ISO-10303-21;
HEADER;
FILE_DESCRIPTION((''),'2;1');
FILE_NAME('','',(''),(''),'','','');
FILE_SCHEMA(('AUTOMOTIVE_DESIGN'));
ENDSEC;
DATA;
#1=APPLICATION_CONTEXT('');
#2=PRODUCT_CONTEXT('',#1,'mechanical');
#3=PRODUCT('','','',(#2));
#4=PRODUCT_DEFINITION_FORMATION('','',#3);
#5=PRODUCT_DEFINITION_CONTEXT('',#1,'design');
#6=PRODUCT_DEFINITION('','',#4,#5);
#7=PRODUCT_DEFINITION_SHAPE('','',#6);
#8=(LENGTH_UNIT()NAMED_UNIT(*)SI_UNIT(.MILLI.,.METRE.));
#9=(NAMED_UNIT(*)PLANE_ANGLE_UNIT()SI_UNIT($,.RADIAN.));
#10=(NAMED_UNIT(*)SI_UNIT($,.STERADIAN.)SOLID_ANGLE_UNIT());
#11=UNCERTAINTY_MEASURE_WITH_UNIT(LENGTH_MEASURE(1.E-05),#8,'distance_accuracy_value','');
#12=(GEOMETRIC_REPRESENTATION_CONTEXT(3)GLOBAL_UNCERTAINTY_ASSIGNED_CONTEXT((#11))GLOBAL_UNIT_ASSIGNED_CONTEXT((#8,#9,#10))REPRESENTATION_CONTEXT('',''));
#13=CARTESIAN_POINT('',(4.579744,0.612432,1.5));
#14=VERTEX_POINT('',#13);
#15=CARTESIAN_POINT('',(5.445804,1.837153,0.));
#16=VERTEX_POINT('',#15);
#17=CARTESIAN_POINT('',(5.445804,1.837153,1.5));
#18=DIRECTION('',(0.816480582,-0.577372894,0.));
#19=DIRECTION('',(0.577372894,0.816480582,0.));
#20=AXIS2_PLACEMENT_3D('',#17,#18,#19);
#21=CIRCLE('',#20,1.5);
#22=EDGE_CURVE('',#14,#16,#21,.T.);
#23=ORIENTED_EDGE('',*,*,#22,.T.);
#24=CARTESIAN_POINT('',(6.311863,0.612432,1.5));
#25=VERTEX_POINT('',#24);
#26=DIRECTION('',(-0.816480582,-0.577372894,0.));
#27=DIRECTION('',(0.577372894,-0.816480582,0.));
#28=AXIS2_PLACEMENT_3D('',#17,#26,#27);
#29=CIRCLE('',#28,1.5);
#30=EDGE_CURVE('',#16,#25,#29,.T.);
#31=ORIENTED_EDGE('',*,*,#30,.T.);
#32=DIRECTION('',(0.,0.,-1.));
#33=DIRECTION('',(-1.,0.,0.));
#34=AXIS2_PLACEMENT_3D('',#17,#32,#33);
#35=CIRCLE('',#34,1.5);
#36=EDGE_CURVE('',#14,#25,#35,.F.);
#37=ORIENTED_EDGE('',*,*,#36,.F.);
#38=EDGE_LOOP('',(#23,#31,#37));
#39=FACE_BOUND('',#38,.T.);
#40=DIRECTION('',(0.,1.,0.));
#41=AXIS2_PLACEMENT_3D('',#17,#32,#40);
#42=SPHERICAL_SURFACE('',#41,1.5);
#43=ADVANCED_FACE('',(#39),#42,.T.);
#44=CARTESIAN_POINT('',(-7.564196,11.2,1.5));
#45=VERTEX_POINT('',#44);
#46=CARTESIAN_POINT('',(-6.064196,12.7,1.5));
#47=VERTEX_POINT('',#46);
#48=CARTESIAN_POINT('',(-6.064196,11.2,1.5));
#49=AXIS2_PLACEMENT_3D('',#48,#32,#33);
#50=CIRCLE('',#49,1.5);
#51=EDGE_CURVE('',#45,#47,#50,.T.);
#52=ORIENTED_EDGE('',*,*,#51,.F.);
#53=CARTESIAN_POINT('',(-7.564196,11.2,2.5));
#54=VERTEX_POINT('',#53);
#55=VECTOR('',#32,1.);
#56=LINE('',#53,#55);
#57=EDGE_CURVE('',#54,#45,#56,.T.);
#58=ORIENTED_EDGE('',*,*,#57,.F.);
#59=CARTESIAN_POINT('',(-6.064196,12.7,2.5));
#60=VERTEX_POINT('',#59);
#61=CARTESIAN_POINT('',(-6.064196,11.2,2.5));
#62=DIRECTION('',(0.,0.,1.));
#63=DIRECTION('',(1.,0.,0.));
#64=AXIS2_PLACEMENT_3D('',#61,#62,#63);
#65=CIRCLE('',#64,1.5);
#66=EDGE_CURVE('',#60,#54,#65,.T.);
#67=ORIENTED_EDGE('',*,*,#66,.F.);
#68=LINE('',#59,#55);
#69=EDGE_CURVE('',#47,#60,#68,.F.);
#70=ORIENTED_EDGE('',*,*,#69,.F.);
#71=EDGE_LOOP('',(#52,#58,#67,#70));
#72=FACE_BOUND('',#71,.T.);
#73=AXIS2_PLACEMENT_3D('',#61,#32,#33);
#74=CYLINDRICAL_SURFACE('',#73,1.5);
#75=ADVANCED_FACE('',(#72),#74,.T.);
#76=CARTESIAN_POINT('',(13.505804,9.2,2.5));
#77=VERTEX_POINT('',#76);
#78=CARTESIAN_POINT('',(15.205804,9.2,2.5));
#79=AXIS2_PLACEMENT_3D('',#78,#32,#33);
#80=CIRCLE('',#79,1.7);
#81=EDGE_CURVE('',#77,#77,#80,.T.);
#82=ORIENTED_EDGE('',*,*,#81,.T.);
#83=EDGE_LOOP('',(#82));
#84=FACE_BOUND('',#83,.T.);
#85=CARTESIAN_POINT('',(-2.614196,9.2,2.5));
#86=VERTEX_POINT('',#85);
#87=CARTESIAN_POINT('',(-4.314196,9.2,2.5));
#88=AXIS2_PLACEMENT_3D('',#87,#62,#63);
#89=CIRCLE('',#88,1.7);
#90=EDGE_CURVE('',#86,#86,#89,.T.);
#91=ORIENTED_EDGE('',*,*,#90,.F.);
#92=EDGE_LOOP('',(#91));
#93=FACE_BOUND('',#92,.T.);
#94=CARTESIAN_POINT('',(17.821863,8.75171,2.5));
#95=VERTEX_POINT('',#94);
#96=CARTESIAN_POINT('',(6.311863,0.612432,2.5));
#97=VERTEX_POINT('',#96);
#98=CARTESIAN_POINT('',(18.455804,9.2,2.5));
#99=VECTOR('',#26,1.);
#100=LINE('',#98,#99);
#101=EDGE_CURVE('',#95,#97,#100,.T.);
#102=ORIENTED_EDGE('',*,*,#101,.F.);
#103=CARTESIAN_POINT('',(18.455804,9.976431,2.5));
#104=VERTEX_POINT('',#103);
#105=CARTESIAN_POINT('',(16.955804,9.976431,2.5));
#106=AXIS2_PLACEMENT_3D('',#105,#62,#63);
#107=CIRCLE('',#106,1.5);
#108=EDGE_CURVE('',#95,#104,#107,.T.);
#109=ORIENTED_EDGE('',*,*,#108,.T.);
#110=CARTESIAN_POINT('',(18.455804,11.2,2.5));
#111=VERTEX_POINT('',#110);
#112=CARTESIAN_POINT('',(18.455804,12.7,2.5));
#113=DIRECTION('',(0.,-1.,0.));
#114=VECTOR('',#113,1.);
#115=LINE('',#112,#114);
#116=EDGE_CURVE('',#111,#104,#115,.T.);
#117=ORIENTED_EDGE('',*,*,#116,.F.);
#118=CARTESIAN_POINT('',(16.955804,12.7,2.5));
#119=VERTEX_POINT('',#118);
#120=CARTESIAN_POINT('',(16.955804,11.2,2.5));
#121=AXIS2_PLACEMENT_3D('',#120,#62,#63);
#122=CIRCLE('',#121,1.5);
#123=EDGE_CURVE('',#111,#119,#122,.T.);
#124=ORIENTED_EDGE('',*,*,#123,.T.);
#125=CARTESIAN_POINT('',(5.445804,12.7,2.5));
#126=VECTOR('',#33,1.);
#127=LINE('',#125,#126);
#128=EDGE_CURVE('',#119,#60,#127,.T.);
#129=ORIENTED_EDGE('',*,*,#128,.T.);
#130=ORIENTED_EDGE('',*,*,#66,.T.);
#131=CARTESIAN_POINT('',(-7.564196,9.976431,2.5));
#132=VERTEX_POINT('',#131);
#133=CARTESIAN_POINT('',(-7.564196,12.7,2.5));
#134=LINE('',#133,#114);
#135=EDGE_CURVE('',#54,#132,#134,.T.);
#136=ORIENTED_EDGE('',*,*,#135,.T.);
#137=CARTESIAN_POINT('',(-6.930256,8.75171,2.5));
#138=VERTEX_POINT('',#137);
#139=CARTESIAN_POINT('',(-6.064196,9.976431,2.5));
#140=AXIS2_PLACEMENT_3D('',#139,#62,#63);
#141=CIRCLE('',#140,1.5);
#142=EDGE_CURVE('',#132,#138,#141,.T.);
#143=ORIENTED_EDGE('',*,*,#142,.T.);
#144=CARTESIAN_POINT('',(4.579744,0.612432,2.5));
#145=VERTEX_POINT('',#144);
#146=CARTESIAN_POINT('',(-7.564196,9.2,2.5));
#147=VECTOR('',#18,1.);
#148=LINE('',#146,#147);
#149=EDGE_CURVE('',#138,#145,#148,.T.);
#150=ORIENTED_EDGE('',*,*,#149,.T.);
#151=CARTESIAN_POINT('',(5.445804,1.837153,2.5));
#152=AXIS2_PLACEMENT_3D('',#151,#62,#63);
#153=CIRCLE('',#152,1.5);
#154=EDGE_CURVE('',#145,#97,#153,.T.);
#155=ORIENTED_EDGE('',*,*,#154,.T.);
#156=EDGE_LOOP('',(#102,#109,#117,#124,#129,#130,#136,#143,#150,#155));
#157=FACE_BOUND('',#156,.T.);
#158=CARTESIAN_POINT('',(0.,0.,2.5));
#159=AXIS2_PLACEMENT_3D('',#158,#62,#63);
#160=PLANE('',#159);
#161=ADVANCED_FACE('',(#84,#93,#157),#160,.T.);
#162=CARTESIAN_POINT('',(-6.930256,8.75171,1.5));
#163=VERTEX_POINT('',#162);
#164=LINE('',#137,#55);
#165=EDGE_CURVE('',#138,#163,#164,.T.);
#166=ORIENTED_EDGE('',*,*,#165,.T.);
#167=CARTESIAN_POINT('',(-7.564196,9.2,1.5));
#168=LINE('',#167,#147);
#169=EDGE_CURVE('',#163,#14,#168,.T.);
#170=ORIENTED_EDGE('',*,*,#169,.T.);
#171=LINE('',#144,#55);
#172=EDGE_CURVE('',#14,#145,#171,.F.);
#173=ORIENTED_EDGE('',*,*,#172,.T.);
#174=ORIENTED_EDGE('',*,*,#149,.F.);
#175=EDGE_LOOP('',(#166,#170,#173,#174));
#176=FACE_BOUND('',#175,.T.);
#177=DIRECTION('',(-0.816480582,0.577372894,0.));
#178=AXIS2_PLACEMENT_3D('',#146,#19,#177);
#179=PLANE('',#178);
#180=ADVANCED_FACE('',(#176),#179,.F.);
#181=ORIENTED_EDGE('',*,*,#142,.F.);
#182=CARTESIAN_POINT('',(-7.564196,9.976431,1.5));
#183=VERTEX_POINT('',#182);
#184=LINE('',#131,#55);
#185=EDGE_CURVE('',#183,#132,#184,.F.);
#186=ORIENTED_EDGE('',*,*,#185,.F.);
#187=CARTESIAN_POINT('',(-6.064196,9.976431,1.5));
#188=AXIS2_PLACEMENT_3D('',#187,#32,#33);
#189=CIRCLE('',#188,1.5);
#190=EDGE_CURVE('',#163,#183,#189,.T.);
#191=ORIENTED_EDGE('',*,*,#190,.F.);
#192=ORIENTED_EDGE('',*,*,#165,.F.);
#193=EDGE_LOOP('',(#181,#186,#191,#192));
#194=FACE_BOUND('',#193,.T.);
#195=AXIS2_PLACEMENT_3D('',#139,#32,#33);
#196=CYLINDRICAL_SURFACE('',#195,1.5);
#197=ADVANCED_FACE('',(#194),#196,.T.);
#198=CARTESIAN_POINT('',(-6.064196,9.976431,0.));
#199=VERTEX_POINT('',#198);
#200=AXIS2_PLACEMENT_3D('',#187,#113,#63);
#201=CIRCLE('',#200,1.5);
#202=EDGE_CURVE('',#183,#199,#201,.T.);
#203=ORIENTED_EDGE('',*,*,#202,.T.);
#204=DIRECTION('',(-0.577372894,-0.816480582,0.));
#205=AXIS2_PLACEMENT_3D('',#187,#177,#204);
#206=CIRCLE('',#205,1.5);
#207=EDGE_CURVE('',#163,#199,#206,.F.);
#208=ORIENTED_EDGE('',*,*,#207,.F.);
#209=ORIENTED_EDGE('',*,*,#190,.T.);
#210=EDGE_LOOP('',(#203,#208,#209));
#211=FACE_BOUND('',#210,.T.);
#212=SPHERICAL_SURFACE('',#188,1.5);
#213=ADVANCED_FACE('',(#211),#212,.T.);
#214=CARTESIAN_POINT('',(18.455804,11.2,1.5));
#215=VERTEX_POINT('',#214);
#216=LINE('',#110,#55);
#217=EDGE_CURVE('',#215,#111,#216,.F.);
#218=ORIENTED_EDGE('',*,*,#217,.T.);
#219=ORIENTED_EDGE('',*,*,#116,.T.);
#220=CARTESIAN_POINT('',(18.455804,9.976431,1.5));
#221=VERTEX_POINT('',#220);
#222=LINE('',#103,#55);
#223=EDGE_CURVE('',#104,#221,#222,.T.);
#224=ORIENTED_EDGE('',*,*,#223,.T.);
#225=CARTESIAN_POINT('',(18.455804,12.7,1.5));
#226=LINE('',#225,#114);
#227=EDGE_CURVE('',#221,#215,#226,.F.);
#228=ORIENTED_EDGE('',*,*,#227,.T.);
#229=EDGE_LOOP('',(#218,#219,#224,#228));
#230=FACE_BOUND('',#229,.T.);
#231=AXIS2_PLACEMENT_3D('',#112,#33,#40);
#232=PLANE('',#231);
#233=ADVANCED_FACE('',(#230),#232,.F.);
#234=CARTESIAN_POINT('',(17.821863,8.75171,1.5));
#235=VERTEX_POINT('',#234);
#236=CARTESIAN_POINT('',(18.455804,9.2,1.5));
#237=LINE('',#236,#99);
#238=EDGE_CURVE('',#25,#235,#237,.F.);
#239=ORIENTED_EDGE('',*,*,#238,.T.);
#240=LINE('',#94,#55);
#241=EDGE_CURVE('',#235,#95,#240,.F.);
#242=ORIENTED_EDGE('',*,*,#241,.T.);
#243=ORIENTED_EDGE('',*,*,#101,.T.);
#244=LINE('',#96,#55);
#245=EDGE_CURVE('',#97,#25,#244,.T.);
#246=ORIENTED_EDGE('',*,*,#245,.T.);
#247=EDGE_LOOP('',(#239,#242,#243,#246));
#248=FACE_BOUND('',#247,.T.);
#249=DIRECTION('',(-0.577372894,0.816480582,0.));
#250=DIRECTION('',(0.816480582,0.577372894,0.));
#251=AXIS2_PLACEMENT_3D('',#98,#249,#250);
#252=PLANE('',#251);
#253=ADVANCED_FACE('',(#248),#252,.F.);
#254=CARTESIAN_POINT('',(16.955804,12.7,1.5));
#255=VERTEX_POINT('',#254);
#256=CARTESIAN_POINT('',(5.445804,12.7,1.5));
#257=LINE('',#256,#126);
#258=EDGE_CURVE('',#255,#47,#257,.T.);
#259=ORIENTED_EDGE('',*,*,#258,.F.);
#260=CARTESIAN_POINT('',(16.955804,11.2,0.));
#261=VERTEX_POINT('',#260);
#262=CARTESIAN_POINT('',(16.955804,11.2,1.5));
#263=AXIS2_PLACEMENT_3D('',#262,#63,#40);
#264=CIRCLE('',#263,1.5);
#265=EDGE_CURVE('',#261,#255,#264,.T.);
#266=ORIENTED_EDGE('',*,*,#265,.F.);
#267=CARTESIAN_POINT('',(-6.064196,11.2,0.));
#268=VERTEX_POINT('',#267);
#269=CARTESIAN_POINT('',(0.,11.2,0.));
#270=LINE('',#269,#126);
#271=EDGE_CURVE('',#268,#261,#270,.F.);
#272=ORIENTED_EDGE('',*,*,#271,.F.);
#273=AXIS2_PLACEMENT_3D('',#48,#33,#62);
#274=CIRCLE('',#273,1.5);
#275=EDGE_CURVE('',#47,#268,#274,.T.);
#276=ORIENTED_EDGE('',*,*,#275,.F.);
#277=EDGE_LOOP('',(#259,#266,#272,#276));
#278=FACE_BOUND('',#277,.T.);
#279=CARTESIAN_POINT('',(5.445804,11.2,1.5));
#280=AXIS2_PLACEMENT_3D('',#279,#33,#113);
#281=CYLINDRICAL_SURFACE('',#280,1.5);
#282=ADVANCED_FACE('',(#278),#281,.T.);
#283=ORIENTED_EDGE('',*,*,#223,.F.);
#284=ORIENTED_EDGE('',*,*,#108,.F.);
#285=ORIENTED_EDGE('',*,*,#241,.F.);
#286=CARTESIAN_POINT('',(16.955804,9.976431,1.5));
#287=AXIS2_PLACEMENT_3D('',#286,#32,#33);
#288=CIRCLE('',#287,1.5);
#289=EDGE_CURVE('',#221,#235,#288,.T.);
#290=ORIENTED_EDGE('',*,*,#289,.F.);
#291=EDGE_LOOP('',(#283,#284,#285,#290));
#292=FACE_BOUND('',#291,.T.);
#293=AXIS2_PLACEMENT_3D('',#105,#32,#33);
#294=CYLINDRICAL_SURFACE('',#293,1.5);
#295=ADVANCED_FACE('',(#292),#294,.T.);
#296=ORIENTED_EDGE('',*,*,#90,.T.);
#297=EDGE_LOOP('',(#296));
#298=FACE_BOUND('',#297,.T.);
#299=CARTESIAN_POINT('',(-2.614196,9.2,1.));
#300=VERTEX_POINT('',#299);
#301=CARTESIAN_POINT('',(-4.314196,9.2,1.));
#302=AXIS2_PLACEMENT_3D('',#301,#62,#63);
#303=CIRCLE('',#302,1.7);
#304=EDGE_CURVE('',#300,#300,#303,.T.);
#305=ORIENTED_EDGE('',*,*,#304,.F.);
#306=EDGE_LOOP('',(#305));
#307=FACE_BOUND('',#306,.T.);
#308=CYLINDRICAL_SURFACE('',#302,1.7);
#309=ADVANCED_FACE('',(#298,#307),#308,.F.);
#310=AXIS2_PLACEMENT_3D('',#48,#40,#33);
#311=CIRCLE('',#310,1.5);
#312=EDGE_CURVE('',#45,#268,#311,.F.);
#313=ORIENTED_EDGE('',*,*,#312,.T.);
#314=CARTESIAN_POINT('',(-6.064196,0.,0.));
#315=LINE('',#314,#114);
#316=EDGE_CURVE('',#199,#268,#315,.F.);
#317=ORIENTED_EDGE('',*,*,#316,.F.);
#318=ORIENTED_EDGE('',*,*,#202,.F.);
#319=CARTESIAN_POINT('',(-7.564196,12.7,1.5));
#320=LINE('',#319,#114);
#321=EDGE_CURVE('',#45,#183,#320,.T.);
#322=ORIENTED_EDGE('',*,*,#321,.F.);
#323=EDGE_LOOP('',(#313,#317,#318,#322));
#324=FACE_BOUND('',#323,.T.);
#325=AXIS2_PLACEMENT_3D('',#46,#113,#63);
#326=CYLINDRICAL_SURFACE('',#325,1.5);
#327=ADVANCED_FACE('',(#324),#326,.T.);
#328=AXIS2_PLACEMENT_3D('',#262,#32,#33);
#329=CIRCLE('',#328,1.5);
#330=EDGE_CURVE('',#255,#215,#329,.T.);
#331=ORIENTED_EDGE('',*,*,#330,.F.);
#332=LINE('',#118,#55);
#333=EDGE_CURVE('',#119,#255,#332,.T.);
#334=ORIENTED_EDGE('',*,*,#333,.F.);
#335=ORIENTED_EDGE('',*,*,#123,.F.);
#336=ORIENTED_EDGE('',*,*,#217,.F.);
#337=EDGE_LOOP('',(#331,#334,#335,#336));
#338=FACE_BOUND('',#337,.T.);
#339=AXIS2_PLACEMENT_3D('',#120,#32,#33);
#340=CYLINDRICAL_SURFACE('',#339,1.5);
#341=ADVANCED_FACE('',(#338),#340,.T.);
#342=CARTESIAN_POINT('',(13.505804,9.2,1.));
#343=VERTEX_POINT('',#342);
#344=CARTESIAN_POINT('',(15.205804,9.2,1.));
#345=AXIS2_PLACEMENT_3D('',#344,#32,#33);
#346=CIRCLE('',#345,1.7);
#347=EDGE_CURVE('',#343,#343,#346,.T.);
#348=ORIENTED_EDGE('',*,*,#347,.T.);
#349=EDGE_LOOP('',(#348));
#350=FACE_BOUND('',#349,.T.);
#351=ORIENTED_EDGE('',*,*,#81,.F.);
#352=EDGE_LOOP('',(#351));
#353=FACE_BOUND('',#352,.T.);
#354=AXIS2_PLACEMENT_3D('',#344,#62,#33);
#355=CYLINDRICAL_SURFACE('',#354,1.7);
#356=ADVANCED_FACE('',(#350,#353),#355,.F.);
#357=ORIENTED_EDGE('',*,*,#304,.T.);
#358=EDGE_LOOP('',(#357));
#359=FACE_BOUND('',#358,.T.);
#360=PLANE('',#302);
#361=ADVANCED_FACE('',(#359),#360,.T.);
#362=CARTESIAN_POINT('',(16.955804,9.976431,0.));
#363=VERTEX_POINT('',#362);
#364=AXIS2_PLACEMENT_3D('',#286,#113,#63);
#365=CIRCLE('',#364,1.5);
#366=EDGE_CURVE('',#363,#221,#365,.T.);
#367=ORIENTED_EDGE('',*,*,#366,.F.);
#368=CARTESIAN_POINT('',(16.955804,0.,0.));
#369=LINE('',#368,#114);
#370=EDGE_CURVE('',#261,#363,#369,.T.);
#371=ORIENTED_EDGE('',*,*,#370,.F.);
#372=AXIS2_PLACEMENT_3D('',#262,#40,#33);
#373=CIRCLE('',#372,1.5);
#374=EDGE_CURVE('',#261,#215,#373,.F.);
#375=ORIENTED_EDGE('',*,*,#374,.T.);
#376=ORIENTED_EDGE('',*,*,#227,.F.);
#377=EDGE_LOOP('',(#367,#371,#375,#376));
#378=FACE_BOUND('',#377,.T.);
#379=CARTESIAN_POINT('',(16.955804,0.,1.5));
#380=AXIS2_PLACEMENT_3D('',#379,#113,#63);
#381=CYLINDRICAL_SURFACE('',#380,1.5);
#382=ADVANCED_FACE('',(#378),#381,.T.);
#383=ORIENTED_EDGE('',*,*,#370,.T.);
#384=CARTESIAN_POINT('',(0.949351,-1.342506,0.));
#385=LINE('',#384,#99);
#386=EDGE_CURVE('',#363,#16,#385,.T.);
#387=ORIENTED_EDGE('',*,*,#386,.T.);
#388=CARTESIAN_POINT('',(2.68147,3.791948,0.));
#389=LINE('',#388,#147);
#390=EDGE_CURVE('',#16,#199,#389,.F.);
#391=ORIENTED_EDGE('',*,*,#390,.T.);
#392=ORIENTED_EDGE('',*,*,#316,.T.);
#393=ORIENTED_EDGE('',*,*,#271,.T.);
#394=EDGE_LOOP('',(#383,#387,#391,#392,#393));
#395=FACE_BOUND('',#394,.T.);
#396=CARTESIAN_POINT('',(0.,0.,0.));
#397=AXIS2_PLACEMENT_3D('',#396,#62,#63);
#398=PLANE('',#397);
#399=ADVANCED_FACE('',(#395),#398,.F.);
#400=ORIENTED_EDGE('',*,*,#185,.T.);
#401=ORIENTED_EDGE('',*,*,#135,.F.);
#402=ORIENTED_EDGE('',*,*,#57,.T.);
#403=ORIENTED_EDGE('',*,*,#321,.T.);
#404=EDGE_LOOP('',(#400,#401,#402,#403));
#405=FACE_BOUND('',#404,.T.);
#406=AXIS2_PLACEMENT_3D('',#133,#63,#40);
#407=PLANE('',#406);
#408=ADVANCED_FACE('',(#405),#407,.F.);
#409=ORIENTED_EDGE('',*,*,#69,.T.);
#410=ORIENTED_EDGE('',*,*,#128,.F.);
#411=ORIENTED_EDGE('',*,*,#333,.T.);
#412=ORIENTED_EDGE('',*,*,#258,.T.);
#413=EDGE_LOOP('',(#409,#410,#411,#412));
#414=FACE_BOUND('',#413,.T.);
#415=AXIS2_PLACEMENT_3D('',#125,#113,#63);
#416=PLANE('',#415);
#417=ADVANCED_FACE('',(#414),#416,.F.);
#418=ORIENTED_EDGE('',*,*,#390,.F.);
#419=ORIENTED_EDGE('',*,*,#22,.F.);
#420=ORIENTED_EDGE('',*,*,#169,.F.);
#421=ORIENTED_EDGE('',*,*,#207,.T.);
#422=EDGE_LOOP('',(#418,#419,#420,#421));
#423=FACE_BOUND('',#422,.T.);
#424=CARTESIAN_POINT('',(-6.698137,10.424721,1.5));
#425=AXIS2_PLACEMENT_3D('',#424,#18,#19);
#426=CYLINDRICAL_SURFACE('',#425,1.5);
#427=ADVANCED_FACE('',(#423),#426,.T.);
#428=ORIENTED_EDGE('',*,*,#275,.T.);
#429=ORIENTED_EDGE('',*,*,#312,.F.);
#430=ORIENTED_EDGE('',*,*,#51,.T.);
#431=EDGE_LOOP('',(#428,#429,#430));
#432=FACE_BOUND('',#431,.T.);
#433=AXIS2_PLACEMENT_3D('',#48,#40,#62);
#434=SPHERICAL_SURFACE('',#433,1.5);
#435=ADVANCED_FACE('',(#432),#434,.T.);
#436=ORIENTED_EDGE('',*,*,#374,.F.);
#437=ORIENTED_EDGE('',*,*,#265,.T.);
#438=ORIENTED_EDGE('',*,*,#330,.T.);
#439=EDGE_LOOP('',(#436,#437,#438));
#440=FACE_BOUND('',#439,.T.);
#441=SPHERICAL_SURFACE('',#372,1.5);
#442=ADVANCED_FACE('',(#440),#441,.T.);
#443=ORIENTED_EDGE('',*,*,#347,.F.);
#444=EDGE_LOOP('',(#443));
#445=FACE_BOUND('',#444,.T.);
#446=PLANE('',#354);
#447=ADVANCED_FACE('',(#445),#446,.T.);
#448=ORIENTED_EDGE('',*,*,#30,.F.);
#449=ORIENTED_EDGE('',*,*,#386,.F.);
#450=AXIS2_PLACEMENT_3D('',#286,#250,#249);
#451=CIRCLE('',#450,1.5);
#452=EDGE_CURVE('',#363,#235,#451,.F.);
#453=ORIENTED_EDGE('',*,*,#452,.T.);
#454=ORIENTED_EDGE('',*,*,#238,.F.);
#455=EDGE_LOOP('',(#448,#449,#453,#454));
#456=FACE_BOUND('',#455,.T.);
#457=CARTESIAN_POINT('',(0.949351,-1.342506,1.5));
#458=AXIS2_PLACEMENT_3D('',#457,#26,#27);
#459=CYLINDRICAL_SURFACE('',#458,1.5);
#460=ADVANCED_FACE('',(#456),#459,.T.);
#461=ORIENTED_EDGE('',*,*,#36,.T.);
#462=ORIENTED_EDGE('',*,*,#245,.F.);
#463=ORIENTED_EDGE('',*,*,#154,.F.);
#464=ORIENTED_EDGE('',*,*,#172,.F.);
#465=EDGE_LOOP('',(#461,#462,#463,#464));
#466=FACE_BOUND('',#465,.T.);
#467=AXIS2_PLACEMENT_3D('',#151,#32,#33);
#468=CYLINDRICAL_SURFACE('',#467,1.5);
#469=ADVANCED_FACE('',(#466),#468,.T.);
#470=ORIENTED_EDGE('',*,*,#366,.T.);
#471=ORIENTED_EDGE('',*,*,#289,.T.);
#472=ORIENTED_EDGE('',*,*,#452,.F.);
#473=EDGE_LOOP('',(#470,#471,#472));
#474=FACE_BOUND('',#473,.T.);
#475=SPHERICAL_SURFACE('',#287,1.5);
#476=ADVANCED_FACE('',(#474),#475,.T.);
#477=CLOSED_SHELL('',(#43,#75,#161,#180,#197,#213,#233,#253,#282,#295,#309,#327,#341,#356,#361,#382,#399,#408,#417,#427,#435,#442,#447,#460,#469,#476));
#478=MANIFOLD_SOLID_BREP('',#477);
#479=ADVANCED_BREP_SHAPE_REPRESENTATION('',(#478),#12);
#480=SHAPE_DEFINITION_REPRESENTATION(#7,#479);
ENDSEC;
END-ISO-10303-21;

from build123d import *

# Parameters (mm, degrees)
BOSS_EXTRUDE1_DEPTH = 2.5
SKETCH2_R           = 1.7
CUT_EXTRUDE1_DEPTH  = 1.5
FILLET1_R           = 1.5


with BuildPart() as part:
    # Sketch1 → Boss-Extrude1 (new body)
    with BuildSketch(Plane.XY):
        Polygon((-7.56419618, 12.7), (-7.56419618, 9.2), (5.44580382, 0), (5.44580382, 12.7), align=None)
    extrude(amount=BOSS_EXTRUDE1_DEPTH)

    # Sketch2 → Cut-Extrude1 (cut)
    with BuildSketch(Plane.XY.offset(2.5)):
        with Locations((-4.31419618, 9.2)):
            Circle(SKETCH2_R)
    extrude(amount=-CUT_EXTRUDE1_DEPTH, mode=Mode.SUBTRACT)

    # Mirror2: part across plane


with BuildPart() as part_1:
    add(part.part)
    add(part.part.mirror(Plane(origin=(5.44580382, 0, 2.5), x_dir=(0, 0, 1), z_dir=(-1, 0, 0))))

    # Fillet1
    fillet1_edges = [part_1.edges().sort_by_distance(p)[0] for p in [
        (18.45580382, 12.7, 1.25),
        (18.45580382, 9.2, 1.25),
        (5.44580382, 0, 1.25),
        (18.45580382, 10.95, 0),
        (11.95080382, 4.6, 0),
        (-1.05919618, 4.6, 0),
        (-7.56419618, 10.95, 0),
        (5.44580382, 12.7, 0),
        (-7.56419618, 9.2, 1.25),
        (-7.56419618, 12.7, 1.25),
    ]]
    fillet(fillet1_edges, radius=FILLET1_R)


solid = part_1.part
